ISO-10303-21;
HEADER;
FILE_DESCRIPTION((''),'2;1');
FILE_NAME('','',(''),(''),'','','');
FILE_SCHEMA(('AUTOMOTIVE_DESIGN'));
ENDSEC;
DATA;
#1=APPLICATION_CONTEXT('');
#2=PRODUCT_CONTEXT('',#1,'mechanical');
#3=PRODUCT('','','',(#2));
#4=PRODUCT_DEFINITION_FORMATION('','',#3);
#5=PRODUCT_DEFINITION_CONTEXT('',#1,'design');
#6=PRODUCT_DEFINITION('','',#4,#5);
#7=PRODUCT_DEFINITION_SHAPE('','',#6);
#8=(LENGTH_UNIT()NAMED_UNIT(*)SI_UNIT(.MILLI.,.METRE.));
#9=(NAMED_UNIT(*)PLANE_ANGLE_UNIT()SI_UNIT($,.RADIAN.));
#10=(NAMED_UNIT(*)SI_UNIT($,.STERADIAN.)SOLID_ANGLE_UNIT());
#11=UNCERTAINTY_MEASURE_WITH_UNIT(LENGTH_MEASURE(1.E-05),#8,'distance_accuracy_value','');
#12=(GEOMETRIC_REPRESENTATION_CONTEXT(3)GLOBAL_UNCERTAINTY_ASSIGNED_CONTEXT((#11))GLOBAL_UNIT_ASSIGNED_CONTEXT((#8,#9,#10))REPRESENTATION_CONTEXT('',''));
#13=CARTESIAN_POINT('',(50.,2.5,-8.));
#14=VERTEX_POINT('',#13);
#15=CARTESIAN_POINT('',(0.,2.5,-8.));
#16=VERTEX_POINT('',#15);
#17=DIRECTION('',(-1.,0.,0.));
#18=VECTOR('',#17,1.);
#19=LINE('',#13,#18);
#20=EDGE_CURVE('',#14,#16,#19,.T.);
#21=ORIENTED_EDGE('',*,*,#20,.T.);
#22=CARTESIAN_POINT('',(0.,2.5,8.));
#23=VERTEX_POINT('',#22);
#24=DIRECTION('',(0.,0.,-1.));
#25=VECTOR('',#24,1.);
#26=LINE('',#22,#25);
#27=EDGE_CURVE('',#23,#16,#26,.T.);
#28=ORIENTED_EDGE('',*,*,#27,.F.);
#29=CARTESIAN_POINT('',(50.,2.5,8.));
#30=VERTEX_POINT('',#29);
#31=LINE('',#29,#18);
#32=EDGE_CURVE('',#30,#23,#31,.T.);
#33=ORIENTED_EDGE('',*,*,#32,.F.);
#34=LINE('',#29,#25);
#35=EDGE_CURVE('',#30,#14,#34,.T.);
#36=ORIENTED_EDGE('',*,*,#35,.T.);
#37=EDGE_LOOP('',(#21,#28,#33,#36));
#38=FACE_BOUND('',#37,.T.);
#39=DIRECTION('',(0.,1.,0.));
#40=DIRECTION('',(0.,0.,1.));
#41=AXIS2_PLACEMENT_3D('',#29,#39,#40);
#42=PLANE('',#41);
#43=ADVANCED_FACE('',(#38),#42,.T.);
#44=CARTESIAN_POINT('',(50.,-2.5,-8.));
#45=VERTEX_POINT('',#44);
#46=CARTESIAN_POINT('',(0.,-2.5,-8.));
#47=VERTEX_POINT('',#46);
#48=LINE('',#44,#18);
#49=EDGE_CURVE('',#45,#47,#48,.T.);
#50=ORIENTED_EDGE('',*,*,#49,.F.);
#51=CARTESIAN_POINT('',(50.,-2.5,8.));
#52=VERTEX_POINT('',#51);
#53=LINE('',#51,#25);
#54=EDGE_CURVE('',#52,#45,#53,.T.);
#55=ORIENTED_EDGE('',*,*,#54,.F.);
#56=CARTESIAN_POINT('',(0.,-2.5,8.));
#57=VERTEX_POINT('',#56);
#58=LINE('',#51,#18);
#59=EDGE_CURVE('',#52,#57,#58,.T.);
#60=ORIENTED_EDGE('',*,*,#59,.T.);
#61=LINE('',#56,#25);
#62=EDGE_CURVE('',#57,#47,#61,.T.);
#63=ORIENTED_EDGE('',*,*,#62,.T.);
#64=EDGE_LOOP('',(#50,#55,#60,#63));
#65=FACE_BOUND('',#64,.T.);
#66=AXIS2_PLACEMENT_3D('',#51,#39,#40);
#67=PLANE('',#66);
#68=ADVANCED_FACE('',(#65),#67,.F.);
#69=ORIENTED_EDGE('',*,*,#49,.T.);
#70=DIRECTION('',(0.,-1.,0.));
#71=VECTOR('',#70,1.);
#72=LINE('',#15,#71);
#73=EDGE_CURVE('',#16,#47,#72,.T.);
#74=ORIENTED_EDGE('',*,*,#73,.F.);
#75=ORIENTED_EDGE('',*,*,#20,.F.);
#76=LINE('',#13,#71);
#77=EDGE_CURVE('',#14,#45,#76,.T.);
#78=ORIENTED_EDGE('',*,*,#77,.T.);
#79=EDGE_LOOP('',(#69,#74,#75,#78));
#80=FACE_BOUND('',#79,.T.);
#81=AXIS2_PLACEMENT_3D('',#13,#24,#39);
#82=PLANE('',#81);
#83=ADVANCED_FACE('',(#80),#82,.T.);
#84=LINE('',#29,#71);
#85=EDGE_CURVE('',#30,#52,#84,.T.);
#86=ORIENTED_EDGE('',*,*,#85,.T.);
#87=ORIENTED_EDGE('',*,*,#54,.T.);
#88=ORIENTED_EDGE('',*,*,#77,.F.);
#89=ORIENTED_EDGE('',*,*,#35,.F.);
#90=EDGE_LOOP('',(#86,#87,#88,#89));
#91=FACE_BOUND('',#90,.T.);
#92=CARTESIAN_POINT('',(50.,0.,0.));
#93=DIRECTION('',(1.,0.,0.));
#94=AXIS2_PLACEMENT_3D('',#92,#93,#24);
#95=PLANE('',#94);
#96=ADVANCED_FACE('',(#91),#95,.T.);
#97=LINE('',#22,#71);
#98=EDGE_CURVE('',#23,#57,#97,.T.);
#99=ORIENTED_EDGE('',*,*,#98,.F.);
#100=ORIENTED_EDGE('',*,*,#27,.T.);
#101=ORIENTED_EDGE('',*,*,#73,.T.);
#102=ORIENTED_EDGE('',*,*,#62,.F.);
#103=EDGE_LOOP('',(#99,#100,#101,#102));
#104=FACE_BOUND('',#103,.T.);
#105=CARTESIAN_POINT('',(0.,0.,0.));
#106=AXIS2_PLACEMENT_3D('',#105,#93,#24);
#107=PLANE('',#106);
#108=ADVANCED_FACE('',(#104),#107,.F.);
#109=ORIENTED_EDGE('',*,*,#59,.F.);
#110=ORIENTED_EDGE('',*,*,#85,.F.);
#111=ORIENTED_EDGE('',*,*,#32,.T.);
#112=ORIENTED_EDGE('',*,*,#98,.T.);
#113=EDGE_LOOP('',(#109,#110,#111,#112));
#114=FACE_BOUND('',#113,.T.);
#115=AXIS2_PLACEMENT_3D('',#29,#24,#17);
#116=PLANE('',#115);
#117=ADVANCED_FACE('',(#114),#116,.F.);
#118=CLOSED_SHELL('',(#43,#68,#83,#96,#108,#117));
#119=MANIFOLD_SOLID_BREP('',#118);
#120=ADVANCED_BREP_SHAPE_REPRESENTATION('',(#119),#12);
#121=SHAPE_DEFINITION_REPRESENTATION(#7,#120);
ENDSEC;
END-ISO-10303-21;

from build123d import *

# Parameters (mm, degrees)
SKETCH_1_W      = 16
SKETCH_1_H      = 5
EXTRUDE_1_DEPTH = 50


with BuildPart() as part:
    # 草图1 → 凸台-拉伸1 (new body)
    with BuildSketch(Plane(origin=(0, 0, 0), x_dir=(0, 0, -1), z_dir=(1, 0, 0))):
        Rectangle(SKETCH_1_W, SKETCH_1_H)
    extrude(amount=EXTRUDE_1_DEPTH)


solid = part.part
